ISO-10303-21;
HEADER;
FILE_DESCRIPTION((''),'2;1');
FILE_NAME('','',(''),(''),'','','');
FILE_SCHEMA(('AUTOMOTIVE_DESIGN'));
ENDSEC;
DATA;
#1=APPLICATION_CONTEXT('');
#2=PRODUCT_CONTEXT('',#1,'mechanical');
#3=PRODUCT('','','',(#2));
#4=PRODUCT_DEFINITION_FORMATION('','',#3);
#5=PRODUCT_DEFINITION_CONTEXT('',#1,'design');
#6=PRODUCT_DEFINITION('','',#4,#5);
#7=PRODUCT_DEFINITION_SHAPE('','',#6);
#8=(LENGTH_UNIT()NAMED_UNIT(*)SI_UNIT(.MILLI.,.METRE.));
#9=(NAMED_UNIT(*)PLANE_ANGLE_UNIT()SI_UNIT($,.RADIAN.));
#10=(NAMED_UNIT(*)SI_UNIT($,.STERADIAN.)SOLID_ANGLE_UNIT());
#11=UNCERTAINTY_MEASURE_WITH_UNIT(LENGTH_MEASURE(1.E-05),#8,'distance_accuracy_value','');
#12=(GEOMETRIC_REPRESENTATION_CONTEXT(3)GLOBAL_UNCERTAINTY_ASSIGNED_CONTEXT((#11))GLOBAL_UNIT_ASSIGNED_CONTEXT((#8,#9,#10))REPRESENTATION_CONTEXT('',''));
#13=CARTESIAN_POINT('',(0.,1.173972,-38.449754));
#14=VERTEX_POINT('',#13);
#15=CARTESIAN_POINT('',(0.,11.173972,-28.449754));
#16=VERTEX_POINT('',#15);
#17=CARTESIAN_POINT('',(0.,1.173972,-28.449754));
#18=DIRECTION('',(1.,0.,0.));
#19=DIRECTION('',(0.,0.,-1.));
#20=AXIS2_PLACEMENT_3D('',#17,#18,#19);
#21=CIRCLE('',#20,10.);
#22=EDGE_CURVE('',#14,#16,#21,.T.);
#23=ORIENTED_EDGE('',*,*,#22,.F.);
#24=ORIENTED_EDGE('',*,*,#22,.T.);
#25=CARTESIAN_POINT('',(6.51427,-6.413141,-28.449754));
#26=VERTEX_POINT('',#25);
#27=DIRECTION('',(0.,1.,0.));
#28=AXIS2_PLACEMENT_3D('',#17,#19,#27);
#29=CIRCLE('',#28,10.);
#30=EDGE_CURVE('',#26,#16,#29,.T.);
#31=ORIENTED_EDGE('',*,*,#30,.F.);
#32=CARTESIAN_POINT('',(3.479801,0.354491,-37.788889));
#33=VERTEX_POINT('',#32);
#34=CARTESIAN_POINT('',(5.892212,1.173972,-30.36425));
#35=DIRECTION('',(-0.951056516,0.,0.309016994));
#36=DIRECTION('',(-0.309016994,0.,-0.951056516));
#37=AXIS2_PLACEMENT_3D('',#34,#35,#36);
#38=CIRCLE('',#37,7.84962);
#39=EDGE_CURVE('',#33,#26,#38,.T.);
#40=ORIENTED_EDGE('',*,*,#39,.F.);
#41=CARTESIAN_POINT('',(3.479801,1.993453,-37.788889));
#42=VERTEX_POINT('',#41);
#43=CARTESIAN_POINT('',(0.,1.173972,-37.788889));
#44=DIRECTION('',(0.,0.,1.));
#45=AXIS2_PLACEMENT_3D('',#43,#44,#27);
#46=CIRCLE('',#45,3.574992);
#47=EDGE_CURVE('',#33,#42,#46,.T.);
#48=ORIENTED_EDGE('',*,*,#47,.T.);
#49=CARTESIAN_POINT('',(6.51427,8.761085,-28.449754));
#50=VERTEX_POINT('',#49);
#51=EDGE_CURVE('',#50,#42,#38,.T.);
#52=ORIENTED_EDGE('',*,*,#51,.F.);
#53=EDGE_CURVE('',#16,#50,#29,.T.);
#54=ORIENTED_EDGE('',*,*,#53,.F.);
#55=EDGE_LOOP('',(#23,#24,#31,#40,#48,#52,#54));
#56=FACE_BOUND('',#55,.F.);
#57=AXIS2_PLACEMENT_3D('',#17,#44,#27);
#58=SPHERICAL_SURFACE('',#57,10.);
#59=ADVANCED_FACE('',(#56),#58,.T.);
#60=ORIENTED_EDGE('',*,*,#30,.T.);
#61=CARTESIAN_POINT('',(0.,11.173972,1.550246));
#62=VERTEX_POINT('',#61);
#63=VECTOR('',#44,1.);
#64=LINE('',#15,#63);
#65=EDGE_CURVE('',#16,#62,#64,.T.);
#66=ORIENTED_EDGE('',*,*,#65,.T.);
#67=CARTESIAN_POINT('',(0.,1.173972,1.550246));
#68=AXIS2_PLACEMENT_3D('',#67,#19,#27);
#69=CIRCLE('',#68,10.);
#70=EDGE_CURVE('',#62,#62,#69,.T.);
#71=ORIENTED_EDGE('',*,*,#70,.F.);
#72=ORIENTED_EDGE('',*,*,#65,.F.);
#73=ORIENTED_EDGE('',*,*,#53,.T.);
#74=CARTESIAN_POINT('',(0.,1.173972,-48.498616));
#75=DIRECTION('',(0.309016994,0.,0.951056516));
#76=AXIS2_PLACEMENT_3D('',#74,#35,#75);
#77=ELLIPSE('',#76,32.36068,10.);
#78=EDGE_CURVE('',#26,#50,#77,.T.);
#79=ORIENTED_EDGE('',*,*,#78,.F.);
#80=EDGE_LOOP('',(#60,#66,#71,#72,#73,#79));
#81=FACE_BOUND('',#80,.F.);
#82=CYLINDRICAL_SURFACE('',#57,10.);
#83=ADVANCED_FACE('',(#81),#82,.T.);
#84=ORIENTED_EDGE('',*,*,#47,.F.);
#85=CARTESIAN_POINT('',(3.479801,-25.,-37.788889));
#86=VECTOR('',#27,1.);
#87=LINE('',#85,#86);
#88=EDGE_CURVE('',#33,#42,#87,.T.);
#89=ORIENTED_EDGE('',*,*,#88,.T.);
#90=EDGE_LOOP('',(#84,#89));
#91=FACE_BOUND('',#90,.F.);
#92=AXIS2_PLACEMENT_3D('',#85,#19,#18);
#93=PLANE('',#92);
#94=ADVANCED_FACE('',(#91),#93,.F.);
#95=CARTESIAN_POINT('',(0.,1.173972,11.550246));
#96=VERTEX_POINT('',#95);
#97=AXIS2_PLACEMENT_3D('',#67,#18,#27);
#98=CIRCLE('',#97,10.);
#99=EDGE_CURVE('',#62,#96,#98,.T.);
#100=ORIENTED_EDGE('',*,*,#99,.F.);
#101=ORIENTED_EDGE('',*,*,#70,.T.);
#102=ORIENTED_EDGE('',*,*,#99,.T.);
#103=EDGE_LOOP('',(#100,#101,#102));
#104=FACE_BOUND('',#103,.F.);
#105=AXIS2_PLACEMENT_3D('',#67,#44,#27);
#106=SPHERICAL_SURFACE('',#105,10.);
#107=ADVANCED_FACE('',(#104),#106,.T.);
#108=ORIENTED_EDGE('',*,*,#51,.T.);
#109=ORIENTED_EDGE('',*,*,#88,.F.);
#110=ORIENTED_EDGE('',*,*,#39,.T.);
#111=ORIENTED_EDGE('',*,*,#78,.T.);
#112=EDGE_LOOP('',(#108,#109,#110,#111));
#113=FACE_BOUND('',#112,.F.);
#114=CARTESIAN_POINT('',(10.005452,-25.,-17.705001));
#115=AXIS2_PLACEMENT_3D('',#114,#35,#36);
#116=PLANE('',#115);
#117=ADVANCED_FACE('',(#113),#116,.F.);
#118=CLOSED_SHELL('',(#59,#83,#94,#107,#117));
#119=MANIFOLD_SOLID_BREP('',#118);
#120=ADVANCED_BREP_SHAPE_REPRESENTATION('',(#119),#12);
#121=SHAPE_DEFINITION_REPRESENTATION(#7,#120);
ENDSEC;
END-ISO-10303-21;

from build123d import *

# Parameters (mm, degrees)
F3_DEPTH = 67


with BuildPart() as f1:
    # F0 (on Right) → F1 (revolve)
    with BuildSketch(Plane.YZ):
        with BuildLine():
            ThreePointArc((-152.8260280422, -8.4497542544), (-145.7549602303, -5.5208220662), (-142.8260280422, 1.5502457456))
            ThreePointArc((-142.8260280422, 1.5502457456), (-145.7549602303, 8.6213135575), (-152.8260280422, 11.5502457456))
            Line((-152.8260280422, 11.5502457456), (-152.8260280422, -8.4497542544))
        make_face()
        with BuildLine():
            Line((-142.8260280422, -28.4497542544), (-142.8260280422, 1.5502457456))
            ThreePointArc((-142.8260280422, 1.5502457456), (-145.7549602303, -5.5208220662), (-152.8260280422, -8.4497542544))
            Line((-152.8260280422, -8.4497542544), (-152.8260280422, -18.4497542544))
            ThreePointArc((-152.8260280422, -18.4497542544), (-145.7549602303, -21.3786864425), (-142.8260280422, -28.4497542544))
        make_face()
        with BuildLine():
            ThreePointArc((-152.8260280422, -38.4497542544), (-145.7549602303, -35.5208220662), (-142.8260280422, -28.4497542544))
            ThreePointArc((-142.8260280422, -28.4497542544), (-145.7549602303, -21.3786864425), (-152.8260280422, -18.4497542544))
            Line((-152.8260280422, -18.4497542544), (-152.8260280422, -38.4497542544))
        make_face()
    revolve(axis=Axis((0, -152.8260280422, -13.4497542544), (0, 0, -1)))


with BuildPart() as f3:
    # F2 (on Front) → F3 (new body)
    with BuildSketch(Plane.XZ):
        Polygon((10.0054517388, -37.7888888825), (10.0054517388, -17.7050014576), (3.4798011376, -37.7888888825), align=None)
    extrude(amount=-F3_DEPTH)


with BuildPart() as f1_1:
    # F4: moved
    add(f1.part.moved(Location((0, 154, 0))))


with BuildPart() as f3_1:
    # F5: moved
    add(f3.part.moved(Location((0, -25, 0))))


with BuildPart() as f1_2:
    add(f1_1.part)

    # F6: cut F3
    add(f3_1.part, mode=Mode.SUBTRACT)


solid = f1_2.part
